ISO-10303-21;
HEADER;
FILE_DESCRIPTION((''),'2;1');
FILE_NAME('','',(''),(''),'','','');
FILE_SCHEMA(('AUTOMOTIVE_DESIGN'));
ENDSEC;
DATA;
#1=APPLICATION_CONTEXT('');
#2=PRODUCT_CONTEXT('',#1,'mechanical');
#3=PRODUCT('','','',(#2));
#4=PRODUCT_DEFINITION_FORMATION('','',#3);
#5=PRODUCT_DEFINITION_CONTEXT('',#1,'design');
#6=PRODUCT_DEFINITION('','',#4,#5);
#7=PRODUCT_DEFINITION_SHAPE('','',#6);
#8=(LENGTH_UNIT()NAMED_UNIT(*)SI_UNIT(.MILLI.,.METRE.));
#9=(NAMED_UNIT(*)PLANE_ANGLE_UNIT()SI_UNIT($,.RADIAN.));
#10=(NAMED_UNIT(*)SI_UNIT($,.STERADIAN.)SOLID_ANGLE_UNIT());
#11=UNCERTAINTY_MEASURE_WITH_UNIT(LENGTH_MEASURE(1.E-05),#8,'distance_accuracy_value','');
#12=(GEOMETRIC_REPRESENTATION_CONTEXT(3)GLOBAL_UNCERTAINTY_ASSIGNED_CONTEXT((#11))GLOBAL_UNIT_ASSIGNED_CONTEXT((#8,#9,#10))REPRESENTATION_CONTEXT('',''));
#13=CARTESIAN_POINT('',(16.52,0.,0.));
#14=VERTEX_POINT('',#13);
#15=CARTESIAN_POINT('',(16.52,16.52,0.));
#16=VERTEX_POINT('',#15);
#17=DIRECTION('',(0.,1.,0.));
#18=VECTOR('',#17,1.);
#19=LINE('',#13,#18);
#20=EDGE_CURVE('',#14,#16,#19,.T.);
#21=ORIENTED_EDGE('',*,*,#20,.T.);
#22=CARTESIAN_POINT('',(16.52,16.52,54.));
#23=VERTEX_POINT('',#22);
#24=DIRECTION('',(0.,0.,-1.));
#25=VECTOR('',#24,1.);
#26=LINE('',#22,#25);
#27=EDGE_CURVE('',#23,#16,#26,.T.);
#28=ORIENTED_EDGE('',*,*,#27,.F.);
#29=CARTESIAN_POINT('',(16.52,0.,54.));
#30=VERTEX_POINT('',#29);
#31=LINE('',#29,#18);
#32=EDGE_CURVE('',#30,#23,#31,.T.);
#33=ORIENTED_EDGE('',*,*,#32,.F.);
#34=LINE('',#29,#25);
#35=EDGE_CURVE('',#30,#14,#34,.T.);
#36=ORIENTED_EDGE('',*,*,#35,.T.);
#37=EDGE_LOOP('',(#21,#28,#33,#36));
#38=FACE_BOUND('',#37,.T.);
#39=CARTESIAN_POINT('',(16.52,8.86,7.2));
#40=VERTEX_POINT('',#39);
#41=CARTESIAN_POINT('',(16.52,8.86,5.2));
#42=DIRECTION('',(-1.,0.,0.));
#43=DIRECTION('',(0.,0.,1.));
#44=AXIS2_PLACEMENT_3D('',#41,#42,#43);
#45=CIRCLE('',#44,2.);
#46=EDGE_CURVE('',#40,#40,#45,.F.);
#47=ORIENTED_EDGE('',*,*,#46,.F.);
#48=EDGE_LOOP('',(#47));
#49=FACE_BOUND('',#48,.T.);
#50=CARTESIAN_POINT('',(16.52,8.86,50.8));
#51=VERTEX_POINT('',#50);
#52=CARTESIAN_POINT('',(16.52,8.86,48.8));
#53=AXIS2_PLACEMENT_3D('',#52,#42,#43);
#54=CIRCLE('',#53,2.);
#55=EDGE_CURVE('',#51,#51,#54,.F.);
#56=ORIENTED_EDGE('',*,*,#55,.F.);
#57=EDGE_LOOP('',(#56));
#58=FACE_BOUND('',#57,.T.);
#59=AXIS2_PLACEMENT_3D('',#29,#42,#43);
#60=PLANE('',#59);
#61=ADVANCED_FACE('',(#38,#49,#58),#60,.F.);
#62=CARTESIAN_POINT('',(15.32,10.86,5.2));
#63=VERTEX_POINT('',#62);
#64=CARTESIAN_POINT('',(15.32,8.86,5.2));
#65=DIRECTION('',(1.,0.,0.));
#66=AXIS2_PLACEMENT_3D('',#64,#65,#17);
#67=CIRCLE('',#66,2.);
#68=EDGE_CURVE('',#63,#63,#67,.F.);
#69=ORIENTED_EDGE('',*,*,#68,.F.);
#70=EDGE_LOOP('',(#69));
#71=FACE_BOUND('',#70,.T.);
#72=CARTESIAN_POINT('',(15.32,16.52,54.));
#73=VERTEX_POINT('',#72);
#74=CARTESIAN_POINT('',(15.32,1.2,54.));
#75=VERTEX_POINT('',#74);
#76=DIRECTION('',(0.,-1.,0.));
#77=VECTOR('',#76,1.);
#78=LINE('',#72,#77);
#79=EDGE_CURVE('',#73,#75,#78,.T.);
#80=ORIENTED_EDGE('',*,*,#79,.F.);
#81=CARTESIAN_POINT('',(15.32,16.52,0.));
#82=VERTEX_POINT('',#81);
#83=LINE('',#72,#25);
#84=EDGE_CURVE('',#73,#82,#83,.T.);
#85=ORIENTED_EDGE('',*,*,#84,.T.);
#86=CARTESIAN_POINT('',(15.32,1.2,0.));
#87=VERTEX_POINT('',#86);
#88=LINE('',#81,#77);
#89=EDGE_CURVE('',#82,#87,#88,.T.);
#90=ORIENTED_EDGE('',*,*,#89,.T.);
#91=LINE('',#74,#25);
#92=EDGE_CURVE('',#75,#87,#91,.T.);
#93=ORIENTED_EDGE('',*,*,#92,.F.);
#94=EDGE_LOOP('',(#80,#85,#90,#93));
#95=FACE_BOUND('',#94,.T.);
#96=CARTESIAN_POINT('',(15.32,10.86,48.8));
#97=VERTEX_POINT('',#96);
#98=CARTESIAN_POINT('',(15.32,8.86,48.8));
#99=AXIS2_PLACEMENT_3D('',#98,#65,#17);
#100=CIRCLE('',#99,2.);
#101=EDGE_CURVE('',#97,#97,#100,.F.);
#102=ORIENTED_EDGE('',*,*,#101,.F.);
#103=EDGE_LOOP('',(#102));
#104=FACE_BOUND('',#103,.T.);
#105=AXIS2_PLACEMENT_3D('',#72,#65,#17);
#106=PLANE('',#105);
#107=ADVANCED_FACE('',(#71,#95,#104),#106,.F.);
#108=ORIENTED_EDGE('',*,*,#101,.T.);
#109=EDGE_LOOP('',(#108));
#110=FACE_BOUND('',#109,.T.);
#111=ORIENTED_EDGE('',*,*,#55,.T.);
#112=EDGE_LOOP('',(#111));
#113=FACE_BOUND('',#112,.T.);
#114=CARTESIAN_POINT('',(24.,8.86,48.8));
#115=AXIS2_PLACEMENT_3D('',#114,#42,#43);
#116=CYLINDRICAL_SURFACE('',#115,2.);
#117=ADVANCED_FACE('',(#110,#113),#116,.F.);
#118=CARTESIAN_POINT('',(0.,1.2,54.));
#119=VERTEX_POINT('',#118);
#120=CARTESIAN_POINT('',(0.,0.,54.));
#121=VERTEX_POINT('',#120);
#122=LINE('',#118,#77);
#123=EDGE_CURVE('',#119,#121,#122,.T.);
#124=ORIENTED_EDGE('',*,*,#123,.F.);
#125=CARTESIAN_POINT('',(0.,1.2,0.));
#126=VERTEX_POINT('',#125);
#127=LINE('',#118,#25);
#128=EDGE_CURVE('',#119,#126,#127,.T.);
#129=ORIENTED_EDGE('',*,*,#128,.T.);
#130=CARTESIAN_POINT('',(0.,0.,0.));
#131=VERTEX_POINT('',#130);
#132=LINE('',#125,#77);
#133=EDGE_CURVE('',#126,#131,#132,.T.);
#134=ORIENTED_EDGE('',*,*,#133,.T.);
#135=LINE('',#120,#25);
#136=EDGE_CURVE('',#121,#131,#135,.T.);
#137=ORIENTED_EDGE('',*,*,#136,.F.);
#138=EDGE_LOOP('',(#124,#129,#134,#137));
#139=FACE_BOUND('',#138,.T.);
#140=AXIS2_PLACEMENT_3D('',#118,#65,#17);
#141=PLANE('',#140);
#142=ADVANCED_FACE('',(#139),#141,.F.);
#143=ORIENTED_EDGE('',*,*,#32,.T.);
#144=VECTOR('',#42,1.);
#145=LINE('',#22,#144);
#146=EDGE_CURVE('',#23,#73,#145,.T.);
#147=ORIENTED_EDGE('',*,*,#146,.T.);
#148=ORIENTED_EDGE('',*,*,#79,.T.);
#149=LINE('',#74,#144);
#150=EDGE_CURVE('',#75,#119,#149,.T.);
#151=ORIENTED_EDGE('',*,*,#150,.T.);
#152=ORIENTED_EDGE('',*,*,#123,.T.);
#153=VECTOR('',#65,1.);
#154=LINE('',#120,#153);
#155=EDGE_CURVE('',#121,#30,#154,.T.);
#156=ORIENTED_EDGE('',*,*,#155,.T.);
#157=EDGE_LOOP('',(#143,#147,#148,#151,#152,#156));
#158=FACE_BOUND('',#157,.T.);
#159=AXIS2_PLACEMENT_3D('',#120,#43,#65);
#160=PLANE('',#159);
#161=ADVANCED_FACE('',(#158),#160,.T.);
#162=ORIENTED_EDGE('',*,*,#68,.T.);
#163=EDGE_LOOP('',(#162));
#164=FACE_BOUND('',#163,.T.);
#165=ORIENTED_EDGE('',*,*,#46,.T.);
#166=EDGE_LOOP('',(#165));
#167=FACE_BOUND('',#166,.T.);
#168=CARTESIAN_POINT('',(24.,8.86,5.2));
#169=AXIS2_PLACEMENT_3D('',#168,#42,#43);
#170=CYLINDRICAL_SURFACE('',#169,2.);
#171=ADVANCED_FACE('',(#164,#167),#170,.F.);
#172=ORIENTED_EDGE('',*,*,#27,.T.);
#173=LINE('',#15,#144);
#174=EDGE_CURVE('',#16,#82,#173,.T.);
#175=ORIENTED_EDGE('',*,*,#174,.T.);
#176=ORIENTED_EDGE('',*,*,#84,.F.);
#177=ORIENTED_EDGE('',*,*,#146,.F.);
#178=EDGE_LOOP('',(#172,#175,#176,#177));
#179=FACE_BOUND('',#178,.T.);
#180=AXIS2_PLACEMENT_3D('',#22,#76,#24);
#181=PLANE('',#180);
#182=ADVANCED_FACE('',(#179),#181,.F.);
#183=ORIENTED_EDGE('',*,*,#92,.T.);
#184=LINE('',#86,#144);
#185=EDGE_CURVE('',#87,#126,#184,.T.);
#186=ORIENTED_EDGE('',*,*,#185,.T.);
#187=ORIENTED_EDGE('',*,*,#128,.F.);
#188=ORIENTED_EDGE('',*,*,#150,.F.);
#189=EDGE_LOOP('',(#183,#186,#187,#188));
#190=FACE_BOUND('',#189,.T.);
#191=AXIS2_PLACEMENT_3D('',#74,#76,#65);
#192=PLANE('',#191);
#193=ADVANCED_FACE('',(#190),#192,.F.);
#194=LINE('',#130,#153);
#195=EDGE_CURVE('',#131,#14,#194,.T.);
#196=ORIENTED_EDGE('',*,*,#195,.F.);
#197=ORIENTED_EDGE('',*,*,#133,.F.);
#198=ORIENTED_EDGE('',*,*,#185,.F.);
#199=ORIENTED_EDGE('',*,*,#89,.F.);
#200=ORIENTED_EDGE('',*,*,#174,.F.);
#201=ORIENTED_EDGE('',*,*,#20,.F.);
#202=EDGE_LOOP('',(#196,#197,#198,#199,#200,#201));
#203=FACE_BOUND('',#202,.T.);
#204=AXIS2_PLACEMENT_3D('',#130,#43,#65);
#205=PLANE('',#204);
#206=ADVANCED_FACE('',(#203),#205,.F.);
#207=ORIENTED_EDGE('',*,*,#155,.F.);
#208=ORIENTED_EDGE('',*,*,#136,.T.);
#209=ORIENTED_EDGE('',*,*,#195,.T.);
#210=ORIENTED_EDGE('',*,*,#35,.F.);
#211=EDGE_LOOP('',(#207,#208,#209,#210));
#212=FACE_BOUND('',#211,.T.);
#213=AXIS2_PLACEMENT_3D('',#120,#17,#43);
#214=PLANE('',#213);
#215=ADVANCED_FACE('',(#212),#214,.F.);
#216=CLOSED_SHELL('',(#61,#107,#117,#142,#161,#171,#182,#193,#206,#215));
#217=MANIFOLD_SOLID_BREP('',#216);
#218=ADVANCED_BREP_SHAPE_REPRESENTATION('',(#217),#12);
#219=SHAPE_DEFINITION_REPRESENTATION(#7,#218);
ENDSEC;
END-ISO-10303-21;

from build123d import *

# Parameters (mm, degrees)
RESSALTO_EXTRUS_O1_DEPTH = 54
CORTE_EXTRUS_O1_START    = 10
ESBO_O2_R                = 2
CORTE_EXTRUS_O1_DEPTH    = 14


with BuildPart() as part:
    # Esboço1 → Ressalto-extrusão1 (new body)
    with BuildSketch(Plane.XY):
        Polygon((0, 0), (16.52, 0), (16.52, 16.52), (15.32, 16.52), (15.32, 1.2), (0, 1.2), align=None)
    extrude(amount=RESSALTO_EXTRUS_O1_DEPTH)

    # Esboço2 → Corte-extrusão1 (cut)
    with BuildSketch(Plane(origin=(0, 0, 0), x_dir=(0, 0, -1), z_dir=(1, 0, 0)).offset(CORTE_EXTRUS_O1_START)):
        with Locations(Location((-5.2, 8.86, 0), (0, 0, 180))):
            Circle(ESBO_O2_R)
        with Locations(Location((-48.8, 8.86, 0), (0, 0, 180))):
            Circle(ESBO_O2_R)
    extrude(amount=CORTE_EXTRUS_O1_DEPTH, mode=Mode.SUBTRACT)


solid = part.part
